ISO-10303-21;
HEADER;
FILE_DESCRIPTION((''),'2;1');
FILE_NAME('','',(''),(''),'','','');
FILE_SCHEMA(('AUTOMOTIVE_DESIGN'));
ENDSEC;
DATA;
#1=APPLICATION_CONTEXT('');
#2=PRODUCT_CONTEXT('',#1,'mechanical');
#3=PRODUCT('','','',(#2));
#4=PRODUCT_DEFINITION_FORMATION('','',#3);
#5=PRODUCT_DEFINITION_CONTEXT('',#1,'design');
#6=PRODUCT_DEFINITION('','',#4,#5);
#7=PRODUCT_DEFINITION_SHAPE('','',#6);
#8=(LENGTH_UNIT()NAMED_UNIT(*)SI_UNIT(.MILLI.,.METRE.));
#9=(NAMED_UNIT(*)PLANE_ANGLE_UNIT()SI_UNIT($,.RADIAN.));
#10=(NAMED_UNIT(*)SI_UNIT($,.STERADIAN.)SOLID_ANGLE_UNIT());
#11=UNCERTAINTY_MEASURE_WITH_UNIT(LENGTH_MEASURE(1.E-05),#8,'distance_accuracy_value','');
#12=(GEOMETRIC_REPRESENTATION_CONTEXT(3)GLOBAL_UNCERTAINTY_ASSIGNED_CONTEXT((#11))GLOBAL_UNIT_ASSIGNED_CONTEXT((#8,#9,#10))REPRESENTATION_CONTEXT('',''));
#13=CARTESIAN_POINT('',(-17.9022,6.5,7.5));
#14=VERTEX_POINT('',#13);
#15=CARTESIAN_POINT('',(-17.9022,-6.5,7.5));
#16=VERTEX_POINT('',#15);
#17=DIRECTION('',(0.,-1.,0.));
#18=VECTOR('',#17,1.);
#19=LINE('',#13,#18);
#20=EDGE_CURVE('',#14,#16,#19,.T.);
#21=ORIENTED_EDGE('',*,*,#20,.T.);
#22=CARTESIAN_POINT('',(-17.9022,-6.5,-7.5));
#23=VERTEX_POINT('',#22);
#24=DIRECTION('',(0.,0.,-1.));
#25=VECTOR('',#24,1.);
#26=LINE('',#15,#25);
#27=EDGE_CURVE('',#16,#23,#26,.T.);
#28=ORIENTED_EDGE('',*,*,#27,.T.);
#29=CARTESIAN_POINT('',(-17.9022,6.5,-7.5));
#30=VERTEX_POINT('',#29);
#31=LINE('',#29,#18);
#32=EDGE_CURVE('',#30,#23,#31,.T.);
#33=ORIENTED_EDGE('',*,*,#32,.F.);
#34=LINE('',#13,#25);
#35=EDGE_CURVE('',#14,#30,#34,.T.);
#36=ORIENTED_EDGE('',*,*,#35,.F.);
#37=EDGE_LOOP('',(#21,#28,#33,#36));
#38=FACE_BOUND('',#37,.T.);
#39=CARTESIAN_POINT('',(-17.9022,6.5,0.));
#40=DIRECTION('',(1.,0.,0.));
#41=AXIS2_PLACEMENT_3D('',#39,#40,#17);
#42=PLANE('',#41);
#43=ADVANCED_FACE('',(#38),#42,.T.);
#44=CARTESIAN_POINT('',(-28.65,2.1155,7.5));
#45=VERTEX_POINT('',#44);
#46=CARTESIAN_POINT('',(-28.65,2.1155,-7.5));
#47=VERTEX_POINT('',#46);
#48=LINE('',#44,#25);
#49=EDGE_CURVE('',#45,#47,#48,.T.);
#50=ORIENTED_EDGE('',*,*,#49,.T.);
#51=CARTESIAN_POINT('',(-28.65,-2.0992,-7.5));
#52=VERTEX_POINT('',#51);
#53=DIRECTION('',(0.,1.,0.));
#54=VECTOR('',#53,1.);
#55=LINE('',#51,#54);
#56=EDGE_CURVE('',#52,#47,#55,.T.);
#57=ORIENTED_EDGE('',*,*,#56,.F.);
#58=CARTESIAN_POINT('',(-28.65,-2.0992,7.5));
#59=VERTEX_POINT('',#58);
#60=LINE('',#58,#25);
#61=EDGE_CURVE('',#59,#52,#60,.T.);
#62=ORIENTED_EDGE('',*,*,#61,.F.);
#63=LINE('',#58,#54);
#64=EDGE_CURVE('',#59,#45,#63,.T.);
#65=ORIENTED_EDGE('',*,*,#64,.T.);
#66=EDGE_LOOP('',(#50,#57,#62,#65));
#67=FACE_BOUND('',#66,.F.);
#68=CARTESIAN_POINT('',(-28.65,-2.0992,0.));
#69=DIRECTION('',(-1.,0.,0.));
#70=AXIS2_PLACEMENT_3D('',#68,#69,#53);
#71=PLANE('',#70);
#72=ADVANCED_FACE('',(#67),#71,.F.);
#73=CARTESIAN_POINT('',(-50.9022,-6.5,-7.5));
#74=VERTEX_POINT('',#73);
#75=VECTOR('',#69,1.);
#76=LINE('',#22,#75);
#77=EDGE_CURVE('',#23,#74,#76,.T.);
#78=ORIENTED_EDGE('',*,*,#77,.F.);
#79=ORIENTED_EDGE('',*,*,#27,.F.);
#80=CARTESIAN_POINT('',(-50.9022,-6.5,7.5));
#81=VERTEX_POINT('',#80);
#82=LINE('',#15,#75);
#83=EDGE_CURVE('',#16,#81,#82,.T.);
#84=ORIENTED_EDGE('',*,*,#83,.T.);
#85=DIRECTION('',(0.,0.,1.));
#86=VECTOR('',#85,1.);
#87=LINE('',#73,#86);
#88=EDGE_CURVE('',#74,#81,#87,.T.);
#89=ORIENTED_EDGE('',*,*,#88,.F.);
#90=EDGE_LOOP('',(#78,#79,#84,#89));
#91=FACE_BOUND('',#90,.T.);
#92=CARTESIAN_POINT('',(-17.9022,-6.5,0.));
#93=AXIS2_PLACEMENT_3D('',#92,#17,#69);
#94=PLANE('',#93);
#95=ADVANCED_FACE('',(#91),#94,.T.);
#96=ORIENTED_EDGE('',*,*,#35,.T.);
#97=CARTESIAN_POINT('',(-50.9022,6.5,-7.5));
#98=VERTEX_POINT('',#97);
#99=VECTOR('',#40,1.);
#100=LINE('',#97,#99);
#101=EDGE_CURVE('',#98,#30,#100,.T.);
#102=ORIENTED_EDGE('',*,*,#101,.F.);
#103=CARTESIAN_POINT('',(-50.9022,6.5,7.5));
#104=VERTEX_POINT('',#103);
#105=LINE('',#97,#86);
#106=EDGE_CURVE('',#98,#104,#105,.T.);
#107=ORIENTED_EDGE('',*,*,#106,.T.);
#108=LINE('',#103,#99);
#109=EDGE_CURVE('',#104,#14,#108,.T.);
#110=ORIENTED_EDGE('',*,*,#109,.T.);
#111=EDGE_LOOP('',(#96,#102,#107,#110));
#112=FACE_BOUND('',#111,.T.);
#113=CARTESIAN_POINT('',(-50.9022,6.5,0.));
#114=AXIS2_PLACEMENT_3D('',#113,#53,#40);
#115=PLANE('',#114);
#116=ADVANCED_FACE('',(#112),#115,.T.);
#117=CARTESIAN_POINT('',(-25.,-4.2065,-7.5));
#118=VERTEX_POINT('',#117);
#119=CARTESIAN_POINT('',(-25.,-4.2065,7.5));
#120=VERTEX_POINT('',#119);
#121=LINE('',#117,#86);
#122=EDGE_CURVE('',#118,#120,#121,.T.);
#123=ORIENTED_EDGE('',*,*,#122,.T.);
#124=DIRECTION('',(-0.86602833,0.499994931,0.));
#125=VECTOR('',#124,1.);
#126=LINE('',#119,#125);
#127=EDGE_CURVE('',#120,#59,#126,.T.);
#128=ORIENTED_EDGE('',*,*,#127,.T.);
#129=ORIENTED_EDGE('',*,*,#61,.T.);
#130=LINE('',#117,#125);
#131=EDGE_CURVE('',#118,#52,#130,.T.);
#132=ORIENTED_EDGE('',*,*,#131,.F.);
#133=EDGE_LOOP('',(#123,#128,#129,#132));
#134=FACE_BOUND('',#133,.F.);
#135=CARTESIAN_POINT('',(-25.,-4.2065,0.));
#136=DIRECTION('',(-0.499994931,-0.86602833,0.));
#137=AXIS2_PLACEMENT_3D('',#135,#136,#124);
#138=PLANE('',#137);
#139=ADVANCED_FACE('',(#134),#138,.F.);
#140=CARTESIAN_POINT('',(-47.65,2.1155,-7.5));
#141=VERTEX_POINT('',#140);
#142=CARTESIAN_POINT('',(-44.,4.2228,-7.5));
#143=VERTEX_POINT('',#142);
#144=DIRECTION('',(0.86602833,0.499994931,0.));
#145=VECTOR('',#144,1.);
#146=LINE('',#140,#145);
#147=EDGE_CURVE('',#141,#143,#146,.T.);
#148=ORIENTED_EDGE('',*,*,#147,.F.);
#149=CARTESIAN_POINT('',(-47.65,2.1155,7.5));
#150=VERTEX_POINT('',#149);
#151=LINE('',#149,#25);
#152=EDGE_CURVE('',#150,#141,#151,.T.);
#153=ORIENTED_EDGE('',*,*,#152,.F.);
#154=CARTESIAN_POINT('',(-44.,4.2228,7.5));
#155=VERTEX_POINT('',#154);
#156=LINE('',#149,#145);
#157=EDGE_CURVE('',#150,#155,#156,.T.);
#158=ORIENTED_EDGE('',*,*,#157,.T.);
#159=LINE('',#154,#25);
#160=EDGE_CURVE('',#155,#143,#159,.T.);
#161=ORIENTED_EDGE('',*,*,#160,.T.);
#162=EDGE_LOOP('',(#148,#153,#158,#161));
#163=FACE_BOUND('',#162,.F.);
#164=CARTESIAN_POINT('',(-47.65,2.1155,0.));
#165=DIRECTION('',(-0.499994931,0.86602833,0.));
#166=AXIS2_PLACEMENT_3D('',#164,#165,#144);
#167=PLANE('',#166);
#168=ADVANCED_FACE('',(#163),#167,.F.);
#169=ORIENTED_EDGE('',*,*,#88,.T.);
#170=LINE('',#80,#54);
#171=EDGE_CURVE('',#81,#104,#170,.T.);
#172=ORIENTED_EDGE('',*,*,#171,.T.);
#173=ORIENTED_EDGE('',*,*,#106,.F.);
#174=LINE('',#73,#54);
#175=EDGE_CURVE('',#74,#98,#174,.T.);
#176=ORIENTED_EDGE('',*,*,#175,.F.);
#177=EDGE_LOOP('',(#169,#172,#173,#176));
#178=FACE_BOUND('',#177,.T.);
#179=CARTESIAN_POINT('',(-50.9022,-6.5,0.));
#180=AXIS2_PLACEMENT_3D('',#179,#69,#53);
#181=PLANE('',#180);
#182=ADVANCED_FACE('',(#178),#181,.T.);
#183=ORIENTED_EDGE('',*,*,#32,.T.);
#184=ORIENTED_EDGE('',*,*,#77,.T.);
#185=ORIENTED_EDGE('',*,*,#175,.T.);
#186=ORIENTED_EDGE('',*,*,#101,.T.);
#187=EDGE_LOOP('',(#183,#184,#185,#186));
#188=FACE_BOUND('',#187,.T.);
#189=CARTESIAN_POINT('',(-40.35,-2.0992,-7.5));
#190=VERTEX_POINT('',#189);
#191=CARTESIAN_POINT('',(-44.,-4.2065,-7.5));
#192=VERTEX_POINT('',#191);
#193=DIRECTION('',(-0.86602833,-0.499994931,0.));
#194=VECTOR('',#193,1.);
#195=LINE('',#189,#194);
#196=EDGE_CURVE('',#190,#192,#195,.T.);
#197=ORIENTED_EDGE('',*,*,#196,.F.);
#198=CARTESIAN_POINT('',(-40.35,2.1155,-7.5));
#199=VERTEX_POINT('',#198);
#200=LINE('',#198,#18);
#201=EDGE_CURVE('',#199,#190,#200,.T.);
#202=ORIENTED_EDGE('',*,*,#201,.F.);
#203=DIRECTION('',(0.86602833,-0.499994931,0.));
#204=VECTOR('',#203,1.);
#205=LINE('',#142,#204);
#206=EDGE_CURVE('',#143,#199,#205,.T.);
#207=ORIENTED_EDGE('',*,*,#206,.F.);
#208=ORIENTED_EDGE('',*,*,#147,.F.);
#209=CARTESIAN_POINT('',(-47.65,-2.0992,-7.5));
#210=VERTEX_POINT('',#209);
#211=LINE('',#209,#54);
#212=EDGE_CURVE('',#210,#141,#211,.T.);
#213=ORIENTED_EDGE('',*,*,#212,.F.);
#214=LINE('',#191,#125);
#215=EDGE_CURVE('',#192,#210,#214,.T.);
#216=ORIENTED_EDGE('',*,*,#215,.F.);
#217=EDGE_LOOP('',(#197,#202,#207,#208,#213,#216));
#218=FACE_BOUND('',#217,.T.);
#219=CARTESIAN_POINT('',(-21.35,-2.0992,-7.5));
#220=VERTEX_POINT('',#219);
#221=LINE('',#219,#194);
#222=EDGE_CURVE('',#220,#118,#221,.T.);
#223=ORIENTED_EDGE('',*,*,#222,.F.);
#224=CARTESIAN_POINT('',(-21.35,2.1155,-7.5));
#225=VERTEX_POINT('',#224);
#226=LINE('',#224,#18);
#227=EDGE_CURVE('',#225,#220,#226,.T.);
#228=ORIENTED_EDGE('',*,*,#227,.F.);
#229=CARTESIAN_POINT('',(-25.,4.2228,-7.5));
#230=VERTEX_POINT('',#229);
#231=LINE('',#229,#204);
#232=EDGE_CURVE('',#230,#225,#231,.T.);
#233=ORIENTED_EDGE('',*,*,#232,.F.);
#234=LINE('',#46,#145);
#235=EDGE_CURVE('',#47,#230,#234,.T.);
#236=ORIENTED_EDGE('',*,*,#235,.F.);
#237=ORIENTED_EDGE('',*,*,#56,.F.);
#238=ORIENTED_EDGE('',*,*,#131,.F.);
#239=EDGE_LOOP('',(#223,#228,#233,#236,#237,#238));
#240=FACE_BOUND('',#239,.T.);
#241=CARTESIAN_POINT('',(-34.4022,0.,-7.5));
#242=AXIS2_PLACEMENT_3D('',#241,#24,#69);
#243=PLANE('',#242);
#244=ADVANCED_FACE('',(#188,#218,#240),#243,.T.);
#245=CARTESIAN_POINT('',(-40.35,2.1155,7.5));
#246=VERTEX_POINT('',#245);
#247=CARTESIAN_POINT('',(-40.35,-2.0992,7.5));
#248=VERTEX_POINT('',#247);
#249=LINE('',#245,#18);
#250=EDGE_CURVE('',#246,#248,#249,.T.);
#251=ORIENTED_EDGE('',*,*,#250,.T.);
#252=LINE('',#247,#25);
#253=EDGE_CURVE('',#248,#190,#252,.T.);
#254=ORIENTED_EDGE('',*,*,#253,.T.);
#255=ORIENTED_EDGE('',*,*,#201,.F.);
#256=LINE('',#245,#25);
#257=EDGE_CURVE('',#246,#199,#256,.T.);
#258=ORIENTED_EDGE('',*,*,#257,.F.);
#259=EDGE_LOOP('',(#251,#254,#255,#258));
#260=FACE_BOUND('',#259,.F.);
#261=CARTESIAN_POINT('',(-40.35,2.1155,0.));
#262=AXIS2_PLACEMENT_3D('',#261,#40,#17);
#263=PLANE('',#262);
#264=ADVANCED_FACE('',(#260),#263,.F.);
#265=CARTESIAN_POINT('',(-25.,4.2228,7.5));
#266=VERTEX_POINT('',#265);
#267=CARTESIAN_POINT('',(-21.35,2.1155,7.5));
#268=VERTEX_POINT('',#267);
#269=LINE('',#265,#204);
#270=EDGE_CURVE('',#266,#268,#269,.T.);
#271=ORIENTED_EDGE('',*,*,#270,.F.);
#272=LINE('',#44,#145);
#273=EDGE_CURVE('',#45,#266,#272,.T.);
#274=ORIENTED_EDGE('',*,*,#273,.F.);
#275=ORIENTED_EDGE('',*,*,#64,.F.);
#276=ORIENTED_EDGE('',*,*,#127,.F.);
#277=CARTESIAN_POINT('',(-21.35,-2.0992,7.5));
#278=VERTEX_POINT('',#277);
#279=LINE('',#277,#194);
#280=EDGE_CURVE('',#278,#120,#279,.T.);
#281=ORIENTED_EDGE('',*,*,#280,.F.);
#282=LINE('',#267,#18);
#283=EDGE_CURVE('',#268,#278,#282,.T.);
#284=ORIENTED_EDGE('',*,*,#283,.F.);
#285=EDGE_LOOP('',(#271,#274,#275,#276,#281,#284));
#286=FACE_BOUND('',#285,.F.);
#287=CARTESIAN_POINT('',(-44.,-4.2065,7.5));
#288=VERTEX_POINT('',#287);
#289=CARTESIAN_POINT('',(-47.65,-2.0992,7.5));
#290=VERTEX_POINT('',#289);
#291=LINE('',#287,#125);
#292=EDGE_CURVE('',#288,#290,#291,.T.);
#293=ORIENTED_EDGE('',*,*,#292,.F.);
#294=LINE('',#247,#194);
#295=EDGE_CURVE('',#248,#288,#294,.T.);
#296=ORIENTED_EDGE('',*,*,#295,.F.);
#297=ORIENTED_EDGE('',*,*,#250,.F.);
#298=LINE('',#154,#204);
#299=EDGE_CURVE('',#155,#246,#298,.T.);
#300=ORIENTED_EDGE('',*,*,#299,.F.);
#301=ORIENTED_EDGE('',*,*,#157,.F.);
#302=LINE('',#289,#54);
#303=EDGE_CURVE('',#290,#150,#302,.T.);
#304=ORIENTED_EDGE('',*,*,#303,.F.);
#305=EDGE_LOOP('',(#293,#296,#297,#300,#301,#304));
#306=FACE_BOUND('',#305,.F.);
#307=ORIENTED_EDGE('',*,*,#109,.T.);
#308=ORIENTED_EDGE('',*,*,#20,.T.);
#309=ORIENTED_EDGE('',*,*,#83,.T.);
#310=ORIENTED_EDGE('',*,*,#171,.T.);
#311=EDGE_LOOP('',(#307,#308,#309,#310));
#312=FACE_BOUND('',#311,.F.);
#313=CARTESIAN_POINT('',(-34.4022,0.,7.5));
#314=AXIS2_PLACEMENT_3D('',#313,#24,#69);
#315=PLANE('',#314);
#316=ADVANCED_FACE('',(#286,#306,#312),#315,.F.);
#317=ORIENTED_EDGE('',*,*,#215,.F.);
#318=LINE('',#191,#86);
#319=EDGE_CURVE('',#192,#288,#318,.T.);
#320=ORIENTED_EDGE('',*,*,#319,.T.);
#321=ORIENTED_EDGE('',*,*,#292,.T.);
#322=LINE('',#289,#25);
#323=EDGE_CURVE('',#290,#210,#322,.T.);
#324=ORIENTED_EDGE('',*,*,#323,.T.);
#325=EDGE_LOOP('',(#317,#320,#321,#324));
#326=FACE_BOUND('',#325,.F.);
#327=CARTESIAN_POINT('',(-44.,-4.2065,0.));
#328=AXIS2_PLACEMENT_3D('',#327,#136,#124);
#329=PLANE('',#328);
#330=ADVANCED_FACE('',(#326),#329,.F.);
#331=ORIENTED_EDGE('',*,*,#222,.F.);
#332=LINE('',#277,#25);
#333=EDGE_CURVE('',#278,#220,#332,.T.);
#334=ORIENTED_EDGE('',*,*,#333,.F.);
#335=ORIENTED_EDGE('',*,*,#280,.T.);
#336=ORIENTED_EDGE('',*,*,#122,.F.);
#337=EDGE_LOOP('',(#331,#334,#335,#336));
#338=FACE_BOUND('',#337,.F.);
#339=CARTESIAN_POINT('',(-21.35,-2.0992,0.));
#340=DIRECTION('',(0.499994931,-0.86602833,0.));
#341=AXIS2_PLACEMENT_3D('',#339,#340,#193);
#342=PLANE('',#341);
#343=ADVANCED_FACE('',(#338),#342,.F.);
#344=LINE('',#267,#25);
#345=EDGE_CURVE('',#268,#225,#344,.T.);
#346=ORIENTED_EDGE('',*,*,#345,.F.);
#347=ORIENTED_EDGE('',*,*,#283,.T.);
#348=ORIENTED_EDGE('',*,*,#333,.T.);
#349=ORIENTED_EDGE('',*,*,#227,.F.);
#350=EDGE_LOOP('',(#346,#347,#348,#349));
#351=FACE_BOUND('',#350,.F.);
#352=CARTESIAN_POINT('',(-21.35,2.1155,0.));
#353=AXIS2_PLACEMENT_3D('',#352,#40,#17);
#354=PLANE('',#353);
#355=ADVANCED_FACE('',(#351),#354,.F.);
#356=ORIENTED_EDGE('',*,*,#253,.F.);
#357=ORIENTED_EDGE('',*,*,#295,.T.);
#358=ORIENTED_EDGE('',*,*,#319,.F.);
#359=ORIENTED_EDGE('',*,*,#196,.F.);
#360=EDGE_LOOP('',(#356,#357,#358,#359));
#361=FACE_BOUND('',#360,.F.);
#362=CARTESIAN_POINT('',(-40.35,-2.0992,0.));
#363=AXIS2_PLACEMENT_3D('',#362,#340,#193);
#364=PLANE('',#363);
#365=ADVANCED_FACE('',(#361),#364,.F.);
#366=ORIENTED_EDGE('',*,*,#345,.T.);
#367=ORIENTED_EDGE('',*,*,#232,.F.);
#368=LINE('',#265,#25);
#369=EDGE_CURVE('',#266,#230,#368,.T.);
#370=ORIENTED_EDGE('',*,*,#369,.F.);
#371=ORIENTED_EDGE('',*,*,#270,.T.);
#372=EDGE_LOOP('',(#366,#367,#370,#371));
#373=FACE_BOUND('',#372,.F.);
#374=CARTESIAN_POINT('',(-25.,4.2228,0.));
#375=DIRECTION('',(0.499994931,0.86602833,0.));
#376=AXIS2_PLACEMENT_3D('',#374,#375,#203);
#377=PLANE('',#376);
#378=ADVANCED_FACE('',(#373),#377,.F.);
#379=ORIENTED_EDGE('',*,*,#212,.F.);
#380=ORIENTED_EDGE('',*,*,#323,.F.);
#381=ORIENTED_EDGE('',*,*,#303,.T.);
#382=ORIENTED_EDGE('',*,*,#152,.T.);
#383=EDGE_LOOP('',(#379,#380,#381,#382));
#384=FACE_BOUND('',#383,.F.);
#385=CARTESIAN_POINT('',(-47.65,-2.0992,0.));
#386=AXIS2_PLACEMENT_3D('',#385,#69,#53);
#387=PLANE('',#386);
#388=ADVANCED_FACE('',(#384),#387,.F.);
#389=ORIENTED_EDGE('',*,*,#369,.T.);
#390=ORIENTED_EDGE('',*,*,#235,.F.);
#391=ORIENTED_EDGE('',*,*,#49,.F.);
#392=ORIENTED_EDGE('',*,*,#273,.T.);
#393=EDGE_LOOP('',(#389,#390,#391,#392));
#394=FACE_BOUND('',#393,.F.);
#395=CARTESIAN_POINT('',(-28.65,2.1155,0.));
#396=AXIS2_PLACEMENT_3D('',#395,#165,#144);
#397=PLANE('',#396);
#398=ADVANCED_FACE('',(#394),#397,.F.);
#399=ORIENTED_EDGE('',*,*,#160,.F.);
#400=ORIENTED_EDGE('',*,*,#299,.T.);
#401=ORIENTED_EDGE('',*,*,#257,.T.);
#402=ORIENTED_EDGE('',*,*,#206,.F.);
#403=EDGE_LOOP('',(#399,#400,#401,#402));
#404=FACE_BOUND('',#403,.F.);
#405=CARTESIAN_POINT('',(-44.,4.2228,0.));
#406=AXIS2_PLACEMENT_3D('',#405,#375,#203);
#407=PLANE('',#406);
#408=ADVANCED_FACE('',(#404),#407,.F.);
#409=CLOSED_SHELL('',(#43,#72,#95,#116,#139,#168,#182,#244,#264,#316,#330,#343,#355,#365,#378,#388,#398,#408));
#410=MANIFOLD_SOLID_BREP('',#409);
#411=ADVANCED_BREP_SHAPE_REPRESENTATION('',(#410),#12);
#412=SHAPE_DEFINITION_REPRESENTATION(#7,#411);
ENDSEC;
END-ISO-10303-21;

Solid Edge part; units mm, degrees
sketch "Sketch1" plane through (0, 0, 0) normal (0, 0, 1) x (1, 0, 0)
  line L0 (-28.65, 2.1155) -> (-25, 4.2228)
  line L1 (-25, 4.2228) -> (-21.35, 2.1155)
  line L2 (-21.35, 2.1155) -> (-21.35, -2.0992)
  line L3 (-21.35, -2.0992) -> (-25, -4.2065)
  line L4 (-25, -4.2065) -> (-28.65, -2.0992)
  line L5 (-28.65, -2.0992) -> (-28.65, 2.1155)
  line L6 (-50.9022, 6.5) -> (-17.9022, 6.5)
  line L7 (-17.9022, 6.5) -> (-17.9022, -6.5)
  line L8 (-17.9022, -6.5) -> (-50.9022, -6.5)
  line L9 (-50.9022, -6.5) -> (-50.9022, 6.5)
  line L10 (-47.65, 2.1155) -> (-44, 4.2228)
  line L11 (-44, 4.2228) -> (-40.35, 2.1155)
  line L12 (-40.35, 2.1155) -> (-40.35, -2.0992)
  line L13 (-40.35, -2.0992) -> (-44, -4.2065)
  line L14 (-44, -4.2065) -> (-47.65, -2.0992)
  line L15 (-47.65, -2.0992) -> (-47.65, 2.1155)
  dimension "D1" = 5.5081
  dimension "D2" = 11
  dimension "D3" = 0.2
  dimension "D4" = 0.2
  dimension "D5" = 1
  dimension "D6" = 1.5
  dimension "D7" = 1.5
  dimension "D8" = 30
  dimension "D9" = 30
extrude "Protrusion1" add sketch "Sketch1" along normal mid plane 15
properties material "ABS Plastic, medium impact"
